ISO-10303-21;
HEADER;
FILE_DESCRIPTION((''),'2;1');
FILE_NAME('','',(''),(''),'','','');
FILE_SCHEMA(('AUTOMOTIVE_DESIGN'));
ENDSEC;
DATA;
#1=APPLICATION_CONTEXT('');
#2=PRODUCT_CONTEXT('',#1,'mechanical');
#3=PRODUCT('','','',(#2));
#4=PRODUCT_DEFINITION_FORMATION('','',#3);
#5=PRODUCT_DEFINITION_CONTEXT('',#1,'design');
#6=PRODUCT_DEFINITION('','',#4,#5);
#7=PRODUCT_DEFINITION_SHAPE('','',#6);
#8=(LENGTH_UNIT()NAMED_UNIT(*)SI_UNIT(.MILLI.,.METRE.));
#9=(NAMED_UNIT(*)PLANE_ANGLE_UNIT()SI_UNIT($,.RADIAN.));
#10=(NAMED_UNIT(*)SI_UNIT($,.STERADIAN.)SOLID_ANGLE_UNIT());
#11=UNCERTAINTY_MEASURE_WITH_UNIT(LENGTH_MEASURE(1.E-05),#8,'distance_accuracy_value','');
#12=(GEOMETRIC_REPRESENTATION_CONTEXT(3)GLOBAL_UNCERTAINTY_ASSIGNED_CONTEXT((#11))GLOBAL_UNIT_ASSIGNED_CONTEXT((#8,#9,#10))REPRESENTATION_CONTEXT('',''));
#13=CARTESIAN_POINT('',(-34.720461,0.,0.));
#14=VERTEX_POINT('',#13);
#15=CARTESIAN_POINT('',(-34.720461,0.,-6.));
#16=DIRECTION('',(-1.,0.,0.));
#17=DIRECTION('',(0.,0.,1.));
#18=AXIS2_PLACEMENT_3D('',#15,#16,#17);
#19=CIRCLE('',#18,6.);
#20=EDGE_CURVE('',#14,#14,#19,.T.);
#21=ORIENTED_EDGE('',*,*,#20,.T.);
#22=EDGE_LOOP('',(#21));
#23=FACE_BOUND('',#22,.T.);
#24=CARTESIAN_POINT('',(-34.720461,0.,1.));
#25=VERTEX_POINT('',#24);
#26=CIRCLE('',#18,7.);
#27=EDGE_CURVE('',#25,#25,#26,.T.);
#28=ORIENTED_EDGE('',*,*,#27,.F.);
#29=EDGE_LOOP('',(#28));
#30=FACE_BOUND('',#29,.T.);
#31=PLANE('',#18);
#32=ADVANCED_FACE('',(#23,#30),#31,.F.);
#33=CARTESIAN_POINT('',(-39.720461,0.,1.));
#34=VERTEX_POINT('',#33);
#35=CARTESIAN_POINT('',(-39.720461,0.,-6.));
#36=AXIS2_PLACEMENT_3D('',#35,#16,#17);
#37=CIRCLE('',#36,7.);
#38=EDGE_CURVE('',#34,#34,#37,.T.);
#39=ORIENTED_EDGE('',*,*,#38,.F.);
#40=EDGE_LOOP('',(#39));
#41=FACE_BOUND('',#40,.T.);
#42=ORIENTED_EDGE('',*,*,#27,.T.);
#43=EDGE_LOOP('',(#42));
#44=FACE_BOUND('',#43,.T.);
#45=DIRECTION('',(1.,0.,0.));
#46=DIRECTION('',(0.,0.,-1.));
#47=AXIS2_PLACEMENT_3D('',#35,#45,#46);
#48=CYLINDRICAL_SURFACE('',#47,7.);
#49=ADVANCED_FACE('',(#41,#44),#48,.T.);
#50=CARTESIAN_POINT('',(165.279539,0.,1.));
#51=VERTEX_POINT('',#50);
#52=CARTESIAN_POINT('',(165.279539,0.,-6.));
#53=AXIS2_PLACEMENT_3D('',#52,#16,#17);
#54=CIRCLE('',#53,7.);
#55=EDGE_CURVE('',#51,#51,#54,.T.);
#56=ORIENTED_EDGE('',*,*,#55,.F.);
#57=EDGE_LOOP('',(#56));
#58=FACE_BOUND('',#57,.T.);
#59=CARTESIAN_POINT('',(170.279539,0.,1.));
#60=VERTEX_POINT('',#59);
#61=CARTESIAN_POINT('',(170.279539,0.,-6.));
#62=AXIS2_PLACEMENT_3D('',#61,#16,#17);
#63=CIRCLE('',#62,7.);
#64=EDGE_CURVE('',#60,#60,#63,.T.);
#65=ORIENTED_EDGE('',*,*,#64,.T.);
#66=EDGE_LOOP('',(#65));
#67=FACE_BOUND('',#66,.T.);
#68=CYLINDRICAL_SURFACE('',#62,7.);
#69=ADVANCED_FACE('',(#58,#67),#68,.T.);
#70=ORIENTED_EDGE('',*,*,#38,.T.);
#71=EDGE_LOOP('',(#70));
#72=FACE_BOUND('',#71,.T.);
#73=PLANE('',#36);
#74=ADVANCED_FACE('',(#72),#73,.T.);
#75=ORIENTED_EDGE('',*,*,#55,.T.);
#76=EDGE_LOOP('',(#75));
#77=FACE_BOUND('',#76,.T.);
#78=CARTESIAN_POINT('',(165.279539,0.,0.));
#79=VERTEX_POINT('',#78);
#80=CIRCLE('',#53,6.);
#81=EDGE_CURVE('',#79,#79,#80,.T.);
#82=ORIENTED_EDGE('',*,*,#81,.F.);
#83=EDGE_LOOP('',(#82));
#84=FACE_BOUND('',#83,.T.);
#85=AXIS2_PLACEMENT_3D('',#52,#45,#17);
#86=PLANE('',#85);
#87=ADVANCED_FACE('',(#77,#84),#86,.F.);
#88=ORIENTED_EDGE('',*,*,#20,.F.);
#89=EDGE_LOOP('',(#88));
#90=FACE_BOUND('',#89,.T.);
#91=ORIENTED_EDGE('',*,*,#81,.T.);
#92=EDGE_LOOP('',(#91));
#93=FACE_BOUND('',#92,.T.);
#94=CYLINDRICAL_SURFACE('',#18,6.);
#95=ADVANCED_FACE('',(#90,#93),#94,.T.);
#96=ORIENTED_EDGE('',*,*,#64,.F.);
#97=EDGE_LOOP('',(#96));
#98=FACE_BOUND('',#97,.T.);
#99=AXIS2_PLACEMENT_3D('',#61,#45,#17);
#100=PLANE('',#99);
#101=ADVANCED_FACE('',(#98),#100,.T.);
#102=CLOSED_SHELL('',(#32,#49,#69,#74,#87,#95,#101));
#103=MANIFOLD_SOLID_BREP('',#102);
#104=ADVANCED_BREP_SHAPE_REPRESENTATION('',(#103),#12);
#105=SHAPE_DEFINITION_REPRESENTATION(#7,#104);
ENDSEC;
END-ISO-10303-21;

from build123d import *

# Parameters (mm, degrees)
SKETCH1_W           = 200
SKETCH1_H           = 6
SKETCH2_R           = 7
BOSS_EXTRUDE1_DEPTH = 5


with BuildPart() as part:
    # Sketch1 → Revolve1 (revolve)
    with BuildSketch(Plane(origin=(0, 0, 0), x_dir=(1, 0, 0), z_dir=(0, 1, 0)), mode=Mode.PRIVATE) as revolve1_sk:
        with Locations((65.279538905, 9)):
            Rectangle(SKETCH1_W, SKETCH1_H)
    revolve(revolve1_sk.sketch.rotate(Axis((-34.720461095, 0, -6), (1, 0, 0)), 180), axis=Axis((-34.720461095, 0, -6), (1, 0, 0)))

    # Sketch2 → Boss-Extrude1 (add)
    with BuildSketch(Plane.ZY.offset(34.720461095)):
        with Locations((-6, 0)):
            Circle(SKETCH2_R)
    boss_extrude1 = extrude(amount=BOSS_EXTRUDE1_DEPTH)

    # Mirror1: Boss-Extrude1 across plane
    add(boss_extrude1.mirror(Plane(origin=(65.279538905, 0, 0), x_dir=(0, 0, 1), z_dir=(1, 0, 0))))


solid = part.part
